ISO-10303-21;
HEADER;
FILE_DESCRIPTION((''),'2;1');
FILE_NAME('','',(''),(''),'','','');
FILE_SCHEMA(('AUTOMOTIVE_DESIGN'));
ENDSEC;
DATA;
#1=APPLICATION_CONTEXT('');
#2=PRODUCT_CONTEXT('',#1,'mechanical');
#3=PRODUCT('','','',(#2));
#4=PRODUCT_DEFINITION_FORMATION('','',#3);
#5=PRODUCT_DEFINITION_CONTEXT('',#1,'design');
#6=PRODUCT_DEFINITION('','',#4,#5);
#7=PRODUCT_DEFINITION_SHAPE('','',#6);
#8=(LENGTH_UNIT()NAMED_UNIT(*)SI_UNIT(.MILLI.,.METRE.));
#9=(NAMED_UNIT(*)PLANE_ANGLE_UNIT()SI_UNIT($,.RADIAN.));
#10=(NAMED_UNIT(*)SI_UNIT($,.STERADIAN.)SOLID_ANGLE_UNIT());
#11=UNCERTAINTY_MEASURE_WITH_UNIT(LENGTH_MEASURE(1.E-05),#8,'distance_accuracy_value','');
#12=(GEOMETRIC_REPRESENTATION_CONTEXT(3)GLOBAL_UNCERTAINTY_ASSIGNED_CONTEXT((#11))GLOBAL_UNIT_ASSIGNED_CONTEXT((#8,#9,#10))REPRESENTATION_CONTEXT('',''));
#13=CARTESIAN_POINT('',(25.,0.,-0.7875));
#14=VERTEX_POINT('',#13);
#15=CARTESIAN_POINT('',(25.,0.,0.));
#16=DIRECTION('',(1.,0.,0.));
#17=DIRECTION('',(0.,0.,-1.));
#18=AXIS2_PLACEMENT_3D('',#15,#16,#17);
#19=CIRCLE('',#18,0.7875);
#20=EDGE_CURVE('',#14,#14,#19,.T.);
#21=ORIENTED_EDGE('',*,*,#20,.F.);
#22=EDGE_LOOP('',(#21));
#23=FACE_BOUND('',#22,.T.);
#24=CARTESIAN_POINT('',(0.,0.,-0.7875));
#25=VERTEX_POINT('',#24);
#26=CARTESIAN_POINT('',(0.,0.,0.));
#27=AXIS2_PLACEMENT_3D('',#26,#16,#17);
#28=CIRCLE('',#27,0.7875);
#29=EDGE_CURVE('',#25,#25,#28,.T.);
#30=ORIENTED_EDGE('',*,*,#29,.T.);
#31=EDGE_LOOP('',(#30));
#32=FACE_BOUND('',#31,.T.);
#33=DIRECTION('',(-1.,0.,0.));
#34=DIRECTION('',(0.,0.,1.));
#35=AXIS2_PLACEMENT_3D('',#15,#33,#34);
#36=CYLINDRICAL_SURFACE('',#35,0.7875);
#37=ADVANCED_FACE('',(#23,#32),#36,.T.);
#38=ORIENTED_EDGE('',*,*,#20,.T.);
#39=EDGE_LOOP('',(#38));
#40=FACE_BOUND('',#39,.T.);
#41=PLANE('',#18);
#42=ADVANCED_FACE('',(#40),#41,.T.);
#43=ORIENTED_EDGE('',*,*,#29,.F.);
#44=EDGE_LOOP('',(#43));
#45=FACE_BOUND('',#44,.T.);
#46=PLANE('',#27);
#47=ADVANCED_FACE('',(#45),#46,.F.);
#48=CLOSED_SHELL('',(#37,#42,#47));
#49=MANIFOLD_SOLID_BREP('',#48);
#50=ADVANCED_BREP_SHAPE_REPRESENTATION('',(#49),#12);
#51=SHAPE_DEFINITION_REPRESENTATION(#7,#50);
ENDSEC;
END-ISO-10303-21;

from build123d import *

# Parameters (mm, degrees)
SKETCH1_R           = 1.575
BOSS_EXTRUDE1_DEPTH = 50
ESCALA1_SCALE       = 0.5


with BuildPart() as part:
    # Sketch1 → Boss-Extrude1 (new body)
    with BuildSketch(Plane(origin=(0, 0, 0), x_dir=(0, 0, -1), z_dir=(1, 0, 0))):
        Circle(SKETCH1_R)
    extrude(amount=BOSS_EXTRUDE1_DEPTH)


with BuildPart() as part_1:
    # Escala1: scaled about (0, 0, 0)
    add(part.part.scale(ESCALA1_SCALE))


solid = part_1.part
